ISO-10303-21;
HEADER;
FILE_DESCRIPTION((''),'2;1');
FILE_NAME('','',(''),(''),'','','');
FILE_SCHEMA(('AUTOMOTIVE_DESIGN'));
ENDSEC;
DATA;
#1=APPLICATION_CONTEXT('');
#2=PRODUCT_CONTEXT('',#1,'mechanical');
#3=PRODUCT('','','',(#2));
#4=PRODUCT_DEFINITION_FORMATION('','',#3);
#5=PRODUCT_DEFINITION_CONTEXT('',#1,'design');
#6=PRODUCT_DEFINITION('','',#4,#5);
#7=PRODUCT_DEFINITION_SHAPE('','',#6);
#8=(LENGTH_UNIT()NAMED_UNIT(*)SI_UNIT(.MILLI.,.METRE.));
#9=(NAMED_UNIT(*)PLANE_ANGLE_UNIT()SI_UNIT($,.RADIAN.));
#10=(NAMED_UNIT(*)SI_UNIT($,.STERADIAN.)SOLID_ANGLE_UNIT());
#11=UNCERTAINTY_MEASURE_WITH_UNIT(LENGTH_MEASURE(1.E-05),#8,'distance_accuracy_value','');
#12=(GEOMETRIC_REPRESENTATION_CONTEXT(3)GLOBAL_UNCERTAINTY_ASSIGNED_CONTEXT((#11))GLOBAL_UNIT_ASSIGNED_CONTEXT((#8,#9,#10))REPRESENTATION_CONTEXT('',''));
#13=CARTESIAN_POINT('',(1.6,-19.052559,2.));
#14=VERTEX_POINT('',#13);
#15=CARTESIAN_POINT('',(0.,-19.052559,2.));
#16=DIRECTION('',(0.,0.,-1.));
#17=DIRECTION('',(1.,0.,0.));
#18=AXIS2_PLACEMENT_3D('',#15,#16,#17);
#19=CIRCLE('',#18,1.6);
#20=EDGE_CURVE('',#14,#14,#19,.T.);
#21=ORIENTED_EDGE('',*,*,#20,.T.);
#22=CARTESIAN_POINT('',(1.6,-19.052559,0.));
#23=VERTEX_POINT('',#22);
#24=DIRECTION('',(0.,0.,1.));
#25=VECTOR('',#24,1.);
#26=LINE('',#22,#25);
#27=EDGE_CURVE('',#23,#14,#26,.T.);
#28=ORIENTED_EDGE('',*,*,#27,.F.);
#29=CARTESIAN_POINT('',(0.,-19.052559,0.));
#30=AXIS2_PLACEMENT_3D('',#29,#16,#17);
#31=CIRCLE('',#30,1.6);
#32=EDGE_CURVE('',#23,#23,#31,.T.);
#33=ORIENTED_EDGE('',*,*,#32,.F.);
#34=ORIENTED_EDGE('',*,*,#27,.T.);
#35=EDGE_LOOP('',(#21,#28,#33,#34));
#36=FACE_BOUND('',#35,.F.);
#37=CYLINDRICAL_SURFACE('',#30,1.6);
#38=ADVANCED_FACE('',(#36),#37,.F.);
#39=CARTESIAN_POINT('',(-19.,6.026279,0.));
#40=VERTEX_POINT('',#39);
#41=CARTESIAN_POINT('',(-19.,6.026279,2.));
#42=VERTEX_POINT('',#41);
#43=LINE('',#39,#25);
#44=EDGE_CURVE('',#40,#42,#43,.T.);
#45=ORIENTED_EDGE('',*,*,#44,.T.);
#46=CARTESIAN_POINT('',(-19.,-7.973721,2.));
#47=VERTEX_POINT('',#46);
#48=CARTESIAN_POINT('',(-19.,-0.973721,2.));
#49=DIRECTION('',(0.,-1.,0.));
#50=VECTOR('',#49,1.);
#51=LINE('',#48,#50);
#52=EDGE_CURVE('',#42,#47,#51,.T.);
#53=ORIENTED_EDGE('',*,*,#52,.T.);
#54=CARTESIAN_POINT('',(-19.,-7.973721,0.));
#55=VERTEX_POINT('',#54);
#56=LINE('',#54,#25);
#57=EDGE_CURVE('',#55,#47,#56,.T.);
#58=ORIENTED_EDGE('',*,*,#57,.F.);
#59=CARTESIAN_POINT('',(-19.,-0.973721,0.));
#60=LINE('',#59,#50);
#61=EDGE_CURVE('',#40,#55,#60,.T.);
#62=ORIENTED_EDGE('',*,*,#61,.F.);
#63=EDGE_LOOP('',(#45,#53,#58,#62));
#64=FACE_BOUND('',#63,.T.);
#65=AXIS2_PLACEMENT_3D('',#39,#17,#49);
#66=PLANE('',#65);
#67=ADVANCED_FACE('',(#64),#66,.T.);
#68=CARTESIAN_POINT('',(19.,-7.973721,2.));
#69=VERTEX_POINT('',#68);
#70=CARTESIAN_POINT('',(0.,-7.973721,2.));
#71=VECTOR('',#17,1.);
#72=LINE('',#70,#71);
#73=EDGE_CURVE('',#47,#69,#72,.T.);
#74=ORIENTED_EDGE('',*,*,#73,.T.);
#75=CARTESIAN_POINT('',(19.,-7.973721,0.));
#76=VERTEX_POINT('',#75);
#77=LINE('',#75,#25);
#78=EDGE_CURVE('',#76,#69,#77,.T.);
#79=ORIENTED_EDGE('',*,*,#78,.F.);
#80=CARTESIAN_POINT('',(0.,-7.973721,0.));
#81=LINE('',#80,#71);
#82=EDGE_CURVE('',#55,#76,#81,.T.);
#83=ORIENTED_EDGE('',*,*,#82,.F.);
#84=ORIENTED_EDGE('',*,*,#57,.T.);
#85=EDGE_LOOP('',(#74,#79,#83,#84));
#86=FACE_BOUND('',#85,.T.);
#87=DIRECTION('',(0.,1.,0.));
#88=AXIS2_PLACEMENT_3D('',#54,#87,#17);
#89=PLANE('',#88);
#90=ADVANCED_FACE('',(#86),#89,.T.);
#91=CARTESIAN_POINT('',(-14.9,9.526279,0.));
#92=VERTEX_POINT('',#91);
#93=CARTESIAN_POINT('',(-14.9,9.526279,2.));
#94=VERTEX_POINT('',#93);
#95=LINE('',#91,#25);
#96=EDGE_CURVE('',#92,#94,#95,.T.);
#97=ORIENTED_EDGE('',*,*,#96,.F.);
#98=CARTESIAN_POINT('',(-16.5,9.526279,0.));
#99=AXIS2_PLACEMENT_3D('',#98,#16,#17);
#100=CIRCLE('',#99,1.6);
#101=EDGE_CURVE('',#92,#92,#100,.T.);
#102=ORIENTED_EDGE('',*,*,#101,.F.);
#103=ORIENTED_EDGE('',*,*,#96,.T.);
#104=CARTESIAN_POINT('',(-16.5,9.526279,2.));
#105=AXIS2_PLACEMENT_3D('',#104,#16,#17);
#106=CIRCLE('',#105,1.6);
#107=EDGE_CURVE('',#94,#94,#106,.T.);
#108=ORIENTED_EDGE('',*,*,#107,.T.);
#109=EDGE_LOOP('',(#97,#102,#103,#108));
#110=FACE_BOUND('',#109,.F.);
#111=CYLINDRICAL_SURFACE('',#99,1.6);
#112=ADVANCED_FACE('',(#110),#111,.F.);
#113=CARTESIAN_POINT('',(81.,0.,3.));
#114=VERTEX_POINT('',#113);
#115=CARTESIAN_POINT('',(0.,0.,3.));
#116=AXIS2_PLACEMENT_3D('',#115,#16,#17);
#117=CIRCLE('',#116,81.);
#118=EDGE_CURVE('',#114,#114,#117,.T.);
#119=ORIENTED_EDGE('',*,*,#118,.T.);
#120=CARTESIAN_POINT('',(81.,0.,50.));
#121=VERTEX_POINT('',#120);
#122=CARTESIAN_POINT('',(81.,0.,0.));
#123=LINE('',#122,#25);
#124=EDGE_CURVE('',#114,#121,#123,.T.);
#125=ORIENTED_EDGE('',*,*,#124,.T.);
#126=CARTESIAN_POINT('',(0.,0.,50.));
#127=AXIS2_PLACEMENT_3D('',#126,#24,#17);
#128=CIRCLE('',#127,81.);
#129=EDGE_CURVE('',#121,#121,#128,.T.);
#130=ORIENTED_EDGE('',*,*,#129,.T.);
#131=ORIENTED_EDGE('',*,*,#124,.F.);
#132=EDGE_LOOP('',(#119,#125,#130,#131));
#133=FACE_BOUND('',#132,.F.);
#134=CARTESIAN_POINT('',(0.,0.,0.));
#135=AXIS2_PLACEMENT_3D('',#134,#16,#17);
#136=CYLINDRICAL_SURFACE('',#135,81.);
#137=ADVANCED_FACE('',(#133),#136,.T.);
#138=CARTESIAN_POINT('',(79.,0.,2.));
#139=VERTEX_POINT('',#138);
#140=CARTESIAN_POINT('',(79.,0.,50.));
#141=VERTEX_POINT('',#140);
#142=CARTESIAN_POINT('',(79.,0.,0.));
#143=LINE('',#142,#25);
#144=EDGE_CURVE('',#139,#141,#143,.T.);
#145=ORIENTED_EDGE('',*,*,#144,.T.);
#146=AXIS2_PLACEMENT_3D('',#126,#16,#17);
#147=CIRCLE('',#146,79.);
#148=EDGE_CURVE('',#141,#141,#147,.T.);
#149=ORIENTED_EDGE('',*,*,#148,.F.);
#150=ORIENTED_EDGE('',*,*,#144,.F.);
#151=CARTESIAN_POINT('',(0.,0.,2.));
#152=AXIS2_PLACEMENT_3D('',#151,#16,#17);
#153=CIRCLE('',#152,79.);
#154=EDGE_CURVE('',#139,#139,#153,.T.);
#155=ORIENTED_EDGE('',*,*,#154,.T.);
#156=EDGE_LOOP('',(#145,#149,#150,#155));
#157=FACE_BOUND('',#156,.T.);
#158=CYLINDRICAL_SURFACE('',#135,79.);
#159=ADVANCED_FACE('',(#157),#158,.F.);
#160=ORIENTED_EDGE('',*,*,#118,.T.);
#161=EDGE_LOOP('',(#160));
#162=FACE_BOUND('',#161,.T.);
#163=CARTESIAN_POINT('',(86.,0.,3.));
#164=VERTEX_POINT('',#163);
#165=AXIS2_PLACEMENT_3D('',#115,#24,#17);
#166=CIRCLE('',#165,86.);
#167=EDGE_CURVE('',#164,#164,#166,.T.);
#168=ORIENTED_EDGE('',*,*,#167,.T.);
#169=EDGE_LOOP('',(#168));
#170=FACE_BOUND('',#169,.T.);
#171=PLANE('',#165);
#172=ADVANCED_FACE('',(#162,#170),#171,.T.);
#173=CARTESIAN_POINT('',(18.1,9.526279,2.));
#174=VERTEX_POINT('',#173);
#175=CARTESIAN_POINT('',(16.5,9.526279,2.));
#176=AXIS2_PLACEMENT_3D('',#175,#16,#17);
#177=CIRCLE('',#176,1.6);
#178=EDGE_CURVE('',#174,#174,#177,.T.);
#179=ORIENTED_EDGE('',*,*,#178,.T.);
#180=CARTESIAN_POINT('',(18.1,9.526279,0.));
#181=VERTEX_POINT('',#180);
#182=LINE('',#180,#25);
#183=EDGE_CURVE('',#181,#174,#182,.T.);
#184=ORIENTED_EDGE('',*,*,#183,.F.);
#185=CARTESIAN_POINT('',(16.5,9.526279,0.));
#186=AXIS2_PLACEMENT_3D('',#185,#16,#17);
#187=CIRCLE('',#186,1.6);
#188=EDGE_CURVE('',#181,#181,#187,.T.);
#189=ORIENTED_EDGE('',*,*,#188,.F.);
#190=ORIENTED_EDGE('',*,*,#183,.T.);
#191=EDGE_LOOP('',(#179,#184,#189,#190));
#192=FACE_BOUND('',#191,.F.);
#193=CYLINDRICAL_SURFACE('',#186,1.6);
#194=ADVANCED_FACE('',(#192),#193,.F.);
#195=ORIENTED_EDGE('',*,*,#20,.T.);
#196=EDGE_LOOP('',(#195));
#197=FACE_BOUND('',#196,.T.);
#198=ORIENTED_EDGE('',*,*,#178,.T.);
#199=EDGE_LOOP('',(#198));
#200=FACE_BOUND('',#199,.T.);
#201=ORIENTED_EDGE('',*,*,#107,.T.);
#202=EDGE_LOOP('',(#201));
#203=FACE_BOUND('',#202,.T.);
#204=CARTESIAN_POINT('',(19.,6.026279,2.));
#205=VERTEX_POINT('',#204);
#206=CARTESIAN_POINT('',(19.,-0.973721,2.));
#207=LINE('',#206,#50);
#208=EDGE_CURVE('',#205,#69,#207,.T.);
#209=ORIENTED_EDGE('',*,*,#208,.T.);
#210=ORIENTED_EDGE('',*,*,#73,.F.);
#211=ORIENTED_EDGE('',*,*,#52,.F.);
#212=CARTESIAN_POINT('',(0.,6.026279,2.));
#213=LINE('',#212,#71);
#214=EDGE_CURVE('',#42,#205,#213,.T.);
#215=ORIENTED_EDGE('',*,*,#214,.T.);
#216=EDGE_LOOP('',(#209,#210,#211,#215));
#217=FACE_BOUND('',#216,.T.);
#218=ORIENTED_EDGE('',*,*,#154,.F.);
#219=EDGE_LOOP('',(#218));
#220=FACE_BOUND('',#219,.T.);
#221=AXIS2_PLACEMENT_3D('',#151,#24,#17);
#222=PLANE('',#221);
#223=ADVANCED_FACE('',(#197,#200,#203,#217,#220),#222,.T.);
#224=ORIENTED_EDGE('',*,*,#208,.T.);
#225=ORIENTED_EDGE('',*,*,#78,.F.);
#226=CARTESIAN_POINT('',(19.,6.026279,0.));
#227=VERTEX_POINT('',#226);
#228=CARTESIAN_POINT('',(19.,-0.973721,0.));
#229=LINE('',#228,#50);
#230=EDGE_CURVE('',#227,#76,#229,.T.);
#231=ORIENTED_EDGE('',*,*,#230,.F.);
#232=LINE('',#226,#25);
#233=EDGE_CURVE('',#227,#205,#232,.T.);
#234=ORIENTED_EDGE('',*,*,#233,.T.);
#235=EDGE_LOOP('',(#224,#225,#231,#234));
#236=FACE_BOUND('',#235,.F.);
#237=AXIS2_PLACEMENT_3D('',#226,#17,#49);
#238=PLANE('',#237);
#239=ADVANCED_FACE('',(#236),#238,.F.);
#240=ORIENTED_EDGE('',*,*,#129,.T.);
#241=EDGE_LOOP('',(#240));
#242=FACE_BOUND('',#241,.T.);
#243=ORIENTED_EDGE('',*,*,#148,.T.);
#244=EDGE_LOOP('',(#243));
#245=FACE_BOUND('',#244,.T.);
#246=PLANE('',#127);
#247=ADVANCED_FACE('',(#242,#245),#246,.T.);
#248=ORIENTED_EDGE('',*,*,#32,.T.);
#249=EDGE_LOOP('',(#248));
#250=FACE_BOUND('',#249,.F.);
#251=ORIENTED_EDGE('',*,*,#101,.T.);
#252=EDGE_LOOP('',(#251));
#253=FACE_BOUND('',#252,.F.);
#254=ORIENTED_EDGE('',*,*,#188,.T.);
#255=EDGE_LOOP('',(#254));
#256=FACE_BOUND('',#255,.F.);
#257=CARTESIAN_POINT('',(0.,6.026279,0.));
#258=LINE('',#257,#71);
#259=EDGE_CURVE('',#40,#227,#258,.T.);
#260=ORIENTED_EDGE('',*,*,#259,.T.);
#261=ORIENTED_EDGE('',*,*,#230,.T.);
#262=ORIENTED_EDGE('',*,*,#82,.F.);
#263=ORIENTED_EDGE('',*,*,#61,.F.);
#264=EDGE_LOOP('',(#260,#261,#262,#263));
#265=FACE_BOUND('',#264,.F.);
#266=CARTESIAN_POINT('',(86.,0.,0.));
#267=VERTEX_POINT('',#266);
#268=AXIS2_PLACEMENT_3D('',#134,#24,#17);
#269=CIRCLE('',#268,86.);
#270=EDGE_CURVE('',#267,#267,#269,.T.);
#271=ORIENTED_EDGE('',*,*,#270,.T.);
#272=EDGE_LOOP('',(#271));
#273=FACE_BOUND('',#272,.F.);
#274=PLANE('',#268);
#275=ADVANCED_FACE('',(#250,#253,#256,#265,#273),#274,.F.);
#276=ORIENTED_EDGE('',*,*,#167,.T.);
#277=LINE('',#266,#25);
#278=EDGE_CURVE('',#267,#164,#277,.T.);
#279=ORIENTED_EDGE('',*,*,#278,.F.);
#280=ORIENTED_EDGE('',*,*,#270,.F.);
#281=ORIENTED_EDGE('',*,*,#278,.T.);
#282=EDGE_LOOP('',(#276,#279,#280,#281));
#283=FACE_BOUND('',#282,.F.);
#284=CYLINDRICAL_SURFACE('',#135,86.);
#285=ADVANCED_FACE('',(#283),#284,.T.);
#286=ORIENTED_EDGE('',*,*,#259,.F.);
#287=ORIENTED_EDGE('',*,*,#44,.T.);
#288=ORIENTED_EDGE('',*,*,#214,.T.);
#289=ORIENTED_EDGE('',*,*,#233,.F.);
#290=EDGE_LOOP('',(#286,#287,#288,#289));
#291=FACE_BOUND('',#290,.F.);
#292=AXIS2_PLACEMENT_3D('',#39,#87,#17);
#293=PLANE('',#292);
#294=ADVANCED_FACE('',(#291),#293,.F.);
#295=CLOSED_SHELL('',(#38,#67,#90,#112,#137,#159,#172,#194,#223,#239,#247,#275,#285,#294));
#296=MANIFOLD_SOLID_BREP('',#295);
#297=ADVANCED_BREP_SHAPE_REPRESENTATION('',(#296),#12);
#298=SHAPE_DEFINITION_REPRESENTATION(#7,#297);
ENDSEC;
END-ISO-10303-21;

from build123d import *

# Parameters (mm, degrees)
F0_R     = 86
F0_R_2   = 81
F1_DEPTH = 3
F2_DEPTH = 50
F3_T     = -2
F4_R     = 1.6
F4_W     = 38
F4_H     = 14
F5_DEPTH = 2


with BuildPart() as f1:
    # F0 (on Top) → F1 (new body)
    with BuildSketch(Plane.XY):
        Circle(F0_R)
        Circle(F0_R_2, mode=Mode.SUBTRACT)
        Circle(F0_R_2)
    extrude(amount=F1_DEPTH)

    # F0 (on Top) → F2 (join)
    with BuildSketch(Plane.XY):
        Circle(F0_R_2)
    extrude(amount=F2_DEPTH)

    # F3
    f3_openings = [f1.faces().sort_by_distance(p)[0] for p in [
        (0, 0, 50),
    ]]
    offset(amount=F3_T, openings=f3_openings, kind=Kind.INTERSECTION)

    # F4 (on face) → F5 (cut)
    with BuildSketch(Plane(origin=(0, 0, 0), x_dir=(1, 0, 0), z_dir=(0, 0, -1))):
        with Locations((0, 19.0525588833)):
            Circle(F4_R)
        with Locations((0, 0.9737205584)):
            Rectangle(F4_W, F4_H)
        with Locations((16.5, -9.5262794416)):
            Circle(F4_R)
        with Locations((-16.5, -9.5262794416)):
            Circle(F4_R)
    extrude(amount=-F5_DEPTH, mode=Mode.SUBTRACT)


solid = f1.part
